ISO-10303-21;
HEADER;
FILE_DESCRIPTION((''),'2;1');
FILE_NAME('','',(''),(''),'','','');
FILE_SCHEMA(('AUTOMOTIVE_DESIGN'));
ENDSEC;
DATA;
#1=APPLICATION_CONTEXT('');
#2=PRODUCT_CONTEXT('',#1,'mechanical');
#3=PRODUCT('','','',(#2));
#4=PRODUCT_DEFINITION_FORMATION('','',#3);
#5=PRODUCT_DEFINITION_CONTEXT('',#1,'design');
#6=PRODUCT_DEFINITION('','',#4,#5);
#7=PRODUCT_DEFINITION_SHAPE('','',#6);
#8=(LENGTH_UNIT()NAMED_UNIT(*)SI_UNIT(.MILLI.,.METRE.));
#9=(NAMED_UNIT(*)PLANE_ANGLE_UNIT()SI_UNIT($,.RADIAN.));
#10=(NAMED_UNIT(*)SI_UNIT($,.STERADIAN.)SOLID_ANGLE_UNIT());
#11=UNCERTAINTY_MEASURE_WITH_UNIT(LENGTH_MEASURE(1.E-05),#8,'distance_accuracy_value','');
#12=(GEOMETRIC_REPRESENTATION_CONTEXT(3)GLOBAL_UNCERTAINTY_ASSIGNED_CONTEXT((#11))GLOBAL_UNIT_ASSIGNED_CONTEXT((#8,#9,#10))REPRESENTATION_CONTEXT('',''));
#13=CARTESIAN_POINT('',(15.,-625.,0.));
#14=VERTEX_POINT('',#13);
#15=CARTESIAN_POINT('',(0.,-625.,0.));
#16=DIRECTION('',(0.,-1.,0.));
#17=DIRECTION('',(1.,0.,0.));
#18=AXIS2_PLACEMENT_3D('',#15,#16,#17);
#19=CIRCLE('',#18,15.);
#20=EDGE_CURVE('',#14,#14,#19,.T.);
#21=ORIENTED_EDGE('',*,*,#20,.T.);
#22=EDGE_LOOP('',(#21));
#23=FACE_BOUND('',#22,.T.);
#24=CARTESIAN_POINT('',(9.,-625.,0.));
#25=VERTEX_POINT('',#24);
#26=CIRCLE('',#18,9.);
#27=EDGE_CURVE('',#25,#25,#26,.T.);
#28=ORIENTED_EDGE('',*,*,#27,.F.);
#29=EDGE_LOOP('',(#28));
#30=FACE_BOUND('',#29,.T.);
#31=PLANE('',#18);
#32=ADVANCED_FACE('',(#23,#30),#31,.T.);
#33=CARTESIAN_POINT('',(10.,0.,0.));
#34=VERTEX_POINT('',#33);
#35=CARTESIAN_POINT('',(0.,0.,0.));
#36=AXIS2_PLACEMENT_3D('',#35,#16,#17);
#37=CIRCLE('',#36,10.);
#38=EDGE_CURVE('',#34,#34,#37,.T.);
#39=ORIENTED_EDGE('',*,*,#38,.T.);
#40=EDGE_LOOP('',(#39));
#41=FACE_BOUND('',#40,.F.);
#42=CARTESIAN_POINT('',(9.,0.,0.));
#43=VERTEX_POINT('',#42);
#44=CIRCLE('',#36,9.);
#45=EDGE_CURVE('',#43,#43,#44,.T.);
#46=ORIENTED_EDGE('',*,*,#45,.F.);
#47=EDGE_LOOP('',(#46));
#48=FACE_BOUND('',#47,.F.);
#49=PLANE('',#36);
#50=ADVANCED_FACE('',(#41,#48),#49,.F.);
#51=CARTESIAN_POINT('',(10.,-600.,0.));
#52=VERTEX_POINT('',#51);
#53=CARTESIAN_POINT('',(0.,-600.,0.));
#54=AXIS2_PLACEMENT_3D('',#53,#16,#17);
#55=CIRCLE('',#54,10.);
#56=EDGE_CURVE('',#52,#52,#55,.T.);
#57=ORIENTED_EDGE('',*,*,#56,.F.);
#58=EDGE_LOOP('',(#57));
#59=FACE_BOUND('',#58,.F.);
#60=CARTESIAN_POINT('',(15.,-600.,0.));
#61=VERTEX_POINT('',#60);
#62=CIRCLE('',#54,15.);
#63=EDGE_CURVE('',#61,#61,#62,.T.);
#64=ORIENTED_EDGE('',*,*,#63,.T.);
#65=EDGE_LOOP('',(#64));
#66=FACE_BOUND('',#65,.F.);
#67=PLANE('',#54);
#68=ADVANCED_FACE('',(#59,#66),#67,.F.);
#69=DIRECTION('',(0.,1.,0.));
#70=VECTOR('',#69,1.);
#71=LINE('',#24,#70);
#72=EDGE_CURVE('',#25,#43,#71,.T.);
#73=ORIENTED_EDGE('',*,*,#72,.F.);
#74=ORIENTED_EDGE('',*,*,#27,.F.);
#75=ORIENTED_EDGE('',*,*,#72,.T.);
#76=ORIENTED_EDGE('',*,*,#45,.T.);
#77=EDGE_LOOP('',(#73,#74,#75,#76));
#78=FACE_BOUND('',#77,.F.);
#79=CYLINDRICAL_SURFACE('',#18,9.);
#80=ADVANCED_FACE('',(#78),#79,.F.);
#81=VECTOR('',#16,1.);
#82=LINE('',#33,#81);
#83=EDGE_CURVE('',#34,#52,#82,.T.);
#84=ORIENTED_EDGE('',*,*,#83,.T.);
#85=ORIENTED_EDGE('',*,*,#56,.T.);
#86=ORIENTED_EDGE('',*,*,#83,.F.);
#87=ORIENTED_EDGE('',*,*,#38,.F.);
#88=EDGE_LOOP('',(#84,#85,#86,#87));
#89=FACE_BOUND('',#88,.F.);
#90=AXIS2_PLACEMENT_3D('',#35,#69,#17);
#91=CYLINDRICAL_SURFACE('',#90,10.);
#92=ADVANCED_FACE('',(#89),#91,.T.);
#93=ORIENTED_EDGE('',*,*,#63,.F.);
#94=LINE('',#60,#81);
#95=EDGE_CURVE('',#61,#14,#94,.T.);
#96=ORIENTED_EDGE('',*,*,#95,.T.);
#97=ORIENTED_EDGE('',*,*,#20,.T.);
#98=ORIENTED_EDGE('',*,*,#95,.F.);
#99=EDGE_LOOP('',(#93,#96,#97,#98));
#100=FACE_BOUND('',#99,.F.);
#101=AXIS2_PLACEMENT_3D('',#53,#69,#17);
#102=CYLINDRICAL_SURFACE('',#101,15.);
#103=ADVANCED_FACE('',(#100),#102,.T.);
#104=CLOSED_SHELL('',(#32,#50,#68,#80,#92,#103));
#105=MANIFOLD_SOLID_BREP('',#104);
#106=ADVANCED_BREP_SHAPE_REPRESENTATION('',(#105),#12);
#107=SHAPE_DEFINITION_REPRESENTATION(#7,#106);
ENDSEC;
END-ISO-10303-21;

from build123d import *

# Parameters (mm, degrees)
F0_R     = 10
F1_DEPTH = 600
F2_R     = 15
F2_R_2   = 10
F3_DEPTH = 25
F4_R     = 9
F5_DEPTH = 700


with BuildPart() as f1:
    # F0 (on Front) → F1 (new body)
    with BuildSketch(Plane.XZ):
        Circle(F0_R)
    extrude(amount=F1_DEPTH)

    # F2 (on face) → F3 (join)
    with BuildSketch(Plane.XZ.offset(600)):
        Circle(F2_R)
        Circle(F2_R_2, mode=Mode.SUBTRACT)
        Circle(F2_R_2)
    extrude(amount=F3_DEPTH)

    # F4 (on face) → F5 (cut)
    with BuildSketch(Plane.XZ.offset(625)):
        Circle(F4_R)
    extrude(amount=-F5_DEPTH, mode=Mode.SUBTRACT)


solid = f1.part
